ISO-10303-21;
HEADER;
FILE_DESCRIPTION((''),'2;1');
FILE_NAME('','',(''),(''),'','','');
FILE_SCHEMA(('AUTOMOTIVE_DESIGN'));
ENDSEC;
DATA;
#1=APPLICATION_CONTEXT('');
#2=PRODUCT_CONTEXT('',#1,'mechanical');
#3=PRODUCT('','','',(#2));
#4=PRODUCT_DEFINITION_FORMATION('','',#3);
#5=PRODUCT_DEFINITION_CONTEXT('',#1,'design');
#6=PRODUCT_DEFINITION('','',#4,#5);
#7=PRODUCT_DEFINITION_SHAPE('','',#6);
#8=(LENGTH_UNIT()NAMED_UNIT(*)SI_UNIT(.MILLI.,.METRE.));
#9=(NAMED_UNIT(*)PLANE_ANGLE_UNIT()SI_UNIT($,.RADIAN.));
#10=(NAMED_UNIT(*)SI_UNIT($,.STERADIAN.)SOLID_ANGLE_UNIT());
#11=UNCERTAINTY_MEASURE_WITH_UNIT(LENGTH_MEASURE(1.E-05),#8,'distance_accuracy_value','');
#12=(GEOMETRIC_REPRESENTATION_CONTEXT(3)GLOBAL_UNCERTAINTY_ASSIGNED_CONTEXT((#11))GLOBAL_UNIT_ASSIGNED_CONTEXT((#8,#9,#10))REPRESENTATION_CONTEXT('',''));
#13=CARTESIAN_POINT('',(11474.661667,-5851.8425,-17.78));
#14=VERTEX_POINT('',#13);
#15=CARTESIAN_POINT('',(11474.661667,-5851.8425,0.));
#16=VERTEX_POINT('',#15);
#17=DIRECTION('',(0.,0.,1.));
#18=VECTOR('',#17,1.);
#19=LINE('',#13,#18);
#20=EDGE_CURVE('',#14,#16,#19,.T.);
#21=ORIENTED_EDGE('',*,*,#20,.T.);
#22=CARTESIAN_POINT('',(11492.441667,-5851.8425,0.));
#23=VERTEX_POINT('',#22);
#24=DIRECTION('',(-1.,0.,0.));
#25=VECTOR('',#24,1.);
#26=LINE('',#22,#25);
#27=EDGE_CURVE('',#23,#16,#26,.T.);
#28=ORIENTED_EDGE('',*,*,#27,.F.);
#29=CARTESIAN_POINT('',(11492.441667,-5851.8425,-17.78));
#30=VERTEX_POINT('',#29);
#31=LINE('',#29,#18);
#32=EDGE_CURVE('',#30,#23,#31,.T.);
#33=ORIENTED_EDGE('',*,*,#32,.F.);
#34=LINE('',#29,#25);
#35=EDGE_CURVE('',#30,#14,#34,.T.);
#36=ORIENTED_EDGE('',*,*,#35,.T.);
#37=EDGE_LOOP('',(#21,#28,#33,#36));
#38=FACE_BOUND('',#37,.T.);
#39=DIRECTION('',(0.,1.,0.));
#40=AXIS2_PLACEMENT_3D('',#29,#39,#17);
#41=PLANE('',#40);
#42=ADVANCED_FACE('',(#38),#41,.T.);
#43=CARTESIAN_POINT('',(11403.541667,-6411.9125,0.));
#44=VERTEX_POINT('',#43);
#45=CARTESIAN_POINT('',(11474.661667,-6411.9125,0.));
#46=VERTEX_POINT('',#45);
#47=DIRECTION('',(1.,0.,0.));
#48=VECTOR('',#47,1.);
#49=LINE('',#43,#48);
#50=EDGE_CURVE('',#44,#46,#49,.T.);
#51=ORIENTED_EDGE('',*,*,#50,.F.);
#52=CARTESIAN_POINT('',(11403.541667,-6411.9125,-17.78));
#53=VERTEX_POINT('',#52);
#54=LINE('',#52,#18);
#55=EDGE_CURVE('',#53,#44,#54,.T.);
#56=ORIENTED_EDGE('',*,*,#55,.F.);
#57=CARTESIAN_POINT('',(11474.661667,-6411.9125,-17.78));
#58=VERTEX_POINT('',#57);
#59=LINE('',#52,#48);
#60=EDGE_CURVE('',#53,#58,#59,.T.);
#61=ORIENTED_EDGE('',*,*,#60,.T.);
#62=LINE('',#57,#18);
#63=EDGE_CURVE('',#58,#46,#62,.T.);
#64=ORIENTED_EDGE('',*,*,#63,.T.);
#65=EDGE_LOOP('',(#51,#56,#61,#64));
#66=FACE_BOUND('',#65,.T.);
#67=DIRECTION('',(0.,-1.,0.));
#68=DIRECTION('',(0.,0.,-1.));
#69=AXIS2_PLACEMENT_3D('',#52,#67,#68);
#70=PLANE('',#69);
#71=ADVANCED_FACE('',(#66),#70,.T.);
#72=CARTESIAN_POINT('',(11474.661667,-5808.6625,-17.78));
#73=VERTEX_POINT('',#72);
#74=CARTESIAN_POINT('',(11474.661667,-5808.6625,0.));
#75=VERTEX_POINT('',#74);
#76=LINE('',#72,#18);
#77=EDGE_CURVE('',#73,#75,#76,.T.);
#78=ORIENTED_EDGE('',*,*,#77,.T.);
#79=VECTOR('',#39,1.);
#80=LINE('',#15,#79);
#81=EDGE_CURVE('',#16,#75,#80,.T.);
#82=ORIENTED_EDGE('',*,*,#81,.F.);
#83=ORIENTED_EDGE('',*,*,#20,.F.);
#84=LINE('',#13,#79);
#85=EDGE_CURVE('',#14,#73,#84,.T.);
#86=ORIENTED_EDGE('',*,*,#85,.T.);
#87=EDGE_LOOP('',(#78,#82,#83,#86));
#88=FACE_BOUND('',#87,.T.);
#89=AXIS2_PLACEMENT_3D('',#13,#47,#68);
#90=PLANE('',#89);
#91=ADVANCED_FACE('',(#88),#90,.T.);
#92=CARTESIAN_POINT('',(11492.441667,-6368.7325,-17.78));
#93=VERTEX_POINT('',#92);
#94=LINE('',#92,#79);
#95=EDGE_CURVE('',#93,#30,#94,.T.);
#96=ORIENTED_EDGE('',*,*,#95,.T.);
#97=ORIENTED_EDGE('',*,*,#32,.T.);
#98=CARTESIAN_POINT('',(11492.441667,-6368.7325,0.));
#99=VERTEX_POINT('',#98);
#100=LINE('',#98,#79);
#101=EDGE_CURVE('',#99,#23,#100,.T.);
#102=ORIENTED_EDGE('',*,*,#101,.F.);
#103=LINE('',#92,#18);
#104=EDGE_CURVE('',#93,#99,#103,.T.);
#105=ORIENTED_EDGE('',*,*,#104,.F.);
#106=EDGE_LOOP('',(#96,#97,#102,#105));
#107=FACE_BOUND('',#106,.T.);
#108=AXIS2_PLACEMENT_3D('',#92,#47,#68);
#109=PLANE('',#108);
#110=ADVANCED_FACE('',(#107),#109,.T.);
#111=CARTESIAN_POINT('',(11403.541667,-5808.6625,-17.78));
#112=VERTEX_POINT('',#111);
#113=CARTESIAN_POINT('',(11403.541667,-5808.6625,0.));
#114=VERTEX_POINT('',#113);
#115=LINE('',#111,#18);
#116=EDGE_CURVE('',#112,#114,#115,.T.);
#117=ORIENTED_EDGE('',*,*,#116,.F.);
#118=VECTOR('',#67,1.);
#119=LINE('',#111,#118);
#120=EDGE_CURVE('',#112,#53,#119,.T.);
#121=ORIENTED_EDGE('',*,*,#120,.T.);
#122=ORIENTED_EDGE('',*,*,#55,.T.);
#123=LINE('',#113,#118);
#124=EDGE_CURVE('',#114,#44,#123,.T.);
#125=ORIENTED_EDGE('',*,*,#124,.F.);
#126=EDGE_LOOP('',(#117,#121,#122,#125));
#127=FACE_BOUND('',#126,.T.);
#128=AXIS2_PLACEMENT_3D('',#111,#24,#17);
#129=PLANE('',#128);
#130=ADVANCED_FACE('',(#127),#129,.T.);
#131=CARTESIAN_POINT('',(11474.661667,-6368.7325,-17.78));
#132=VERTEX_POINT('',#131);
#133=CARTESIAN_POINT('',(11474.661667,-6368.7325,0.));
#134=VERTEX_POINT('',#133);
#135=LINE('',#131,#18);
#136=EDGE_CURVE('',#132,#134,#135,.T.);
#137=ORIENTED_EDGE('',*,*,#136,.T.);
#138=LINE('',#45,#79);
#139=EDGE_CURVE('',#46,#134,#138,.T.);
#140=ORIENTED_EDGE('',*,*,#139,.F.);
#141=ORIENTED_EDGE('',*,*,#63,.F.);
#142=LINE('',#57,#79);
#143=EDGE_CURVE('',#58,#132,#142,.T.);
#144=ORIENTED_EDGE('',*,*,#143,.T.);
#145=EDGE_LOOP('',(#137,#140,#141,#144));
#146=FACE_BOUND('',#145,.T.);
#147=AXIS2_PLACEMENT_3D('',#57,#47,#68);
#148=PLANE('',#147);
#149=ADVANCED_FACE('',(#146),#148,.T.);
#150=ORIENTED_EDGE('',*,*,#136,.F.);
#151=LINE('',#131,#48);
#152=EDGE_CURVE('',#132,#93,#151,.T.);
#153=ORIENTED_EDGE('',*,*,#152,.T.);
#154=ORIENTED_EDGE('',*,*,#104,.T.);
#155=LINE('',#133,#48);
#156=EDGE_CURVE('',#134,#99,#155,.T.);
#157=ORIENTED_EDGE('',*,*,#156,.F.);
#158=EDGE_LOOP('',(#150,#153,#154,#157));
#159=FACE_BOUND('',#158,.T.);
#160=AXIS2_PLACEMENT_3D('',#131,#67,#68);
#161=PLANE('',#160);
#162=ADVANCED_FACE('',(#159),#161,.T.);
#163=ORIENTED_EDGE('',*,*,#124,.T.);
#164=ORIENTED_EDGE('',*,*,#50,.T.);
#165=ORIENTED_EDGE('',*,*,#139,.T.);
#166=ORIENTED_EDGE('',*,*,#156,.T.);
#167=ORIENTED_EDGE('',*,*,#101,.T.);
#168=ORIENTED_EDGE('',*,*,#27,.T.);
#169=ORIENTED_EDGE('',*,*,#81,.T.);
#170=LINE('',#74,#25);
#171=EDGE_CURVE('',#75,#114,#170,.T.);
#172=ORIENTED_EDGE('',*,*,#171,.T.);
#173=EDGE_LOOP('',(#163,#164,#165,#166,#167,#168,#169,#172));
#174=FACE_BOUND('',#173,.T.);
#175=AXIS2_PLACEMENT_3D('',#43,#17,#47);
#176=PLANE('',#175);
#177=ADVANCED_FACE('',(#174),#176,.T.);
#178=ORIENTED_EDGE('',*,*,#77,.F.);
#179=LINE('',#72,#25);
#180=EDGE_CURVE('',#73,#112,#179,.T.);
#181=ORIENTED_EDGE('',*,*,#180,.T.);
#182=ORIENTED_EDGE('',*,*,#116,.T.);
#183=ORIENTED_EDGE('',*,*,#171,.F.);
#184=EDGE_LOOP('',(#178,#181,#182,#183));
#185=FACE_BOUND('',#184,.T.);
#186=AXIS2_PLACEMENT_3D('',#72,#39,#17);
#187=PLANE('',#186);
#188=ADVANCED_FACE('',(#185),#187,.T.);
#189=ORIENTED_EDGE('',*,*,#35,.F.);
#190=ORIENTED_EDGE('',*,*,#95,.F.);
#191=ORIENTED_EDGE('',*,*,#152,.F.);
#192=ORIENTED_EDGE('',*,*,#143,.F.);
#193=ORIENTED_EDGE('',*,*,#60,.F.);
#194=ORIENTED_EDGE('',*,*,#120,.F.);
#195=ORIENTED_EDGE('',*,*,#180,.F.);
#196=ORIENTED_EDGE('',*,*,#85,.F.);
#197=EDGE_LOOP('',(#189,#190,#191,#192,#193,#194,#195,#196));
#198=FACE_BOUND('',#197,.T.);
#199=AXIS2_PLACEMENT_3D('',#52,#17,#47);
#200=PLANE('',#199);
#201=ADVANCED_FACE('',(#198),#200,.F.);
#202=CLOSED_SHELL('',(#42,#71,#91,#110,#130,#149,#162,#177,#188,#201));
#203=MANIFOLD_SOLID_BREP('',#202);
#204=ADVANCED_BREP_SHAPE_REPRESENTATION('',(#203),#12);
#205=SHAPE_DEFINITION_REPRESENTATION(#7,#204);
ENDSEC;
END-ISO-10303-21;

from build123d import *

# Parameters (mm, degrees)
BRACE_THICKNESS_DEPTH = 17.78


with BuildPart() as part:
    # BraceOutline → Brace_Thickness (new body)
    with BuildSketch(Plane.XY):
        Polygon((11403.541666666, -6411.9125), (11474.661666666, -6411.9125), (11474.661666666, -6368.7325), (11492.441666666, -6368.7325), (11492.441666666, -5851.8425), (11474.661666666, -5851.8425), (11474.661666666, -5808.6625), (11403.541666666, -5808.6625), align=None)
    extrude(amount=-BRACE_THICKNESS_DEPTH)


solid = part.part
